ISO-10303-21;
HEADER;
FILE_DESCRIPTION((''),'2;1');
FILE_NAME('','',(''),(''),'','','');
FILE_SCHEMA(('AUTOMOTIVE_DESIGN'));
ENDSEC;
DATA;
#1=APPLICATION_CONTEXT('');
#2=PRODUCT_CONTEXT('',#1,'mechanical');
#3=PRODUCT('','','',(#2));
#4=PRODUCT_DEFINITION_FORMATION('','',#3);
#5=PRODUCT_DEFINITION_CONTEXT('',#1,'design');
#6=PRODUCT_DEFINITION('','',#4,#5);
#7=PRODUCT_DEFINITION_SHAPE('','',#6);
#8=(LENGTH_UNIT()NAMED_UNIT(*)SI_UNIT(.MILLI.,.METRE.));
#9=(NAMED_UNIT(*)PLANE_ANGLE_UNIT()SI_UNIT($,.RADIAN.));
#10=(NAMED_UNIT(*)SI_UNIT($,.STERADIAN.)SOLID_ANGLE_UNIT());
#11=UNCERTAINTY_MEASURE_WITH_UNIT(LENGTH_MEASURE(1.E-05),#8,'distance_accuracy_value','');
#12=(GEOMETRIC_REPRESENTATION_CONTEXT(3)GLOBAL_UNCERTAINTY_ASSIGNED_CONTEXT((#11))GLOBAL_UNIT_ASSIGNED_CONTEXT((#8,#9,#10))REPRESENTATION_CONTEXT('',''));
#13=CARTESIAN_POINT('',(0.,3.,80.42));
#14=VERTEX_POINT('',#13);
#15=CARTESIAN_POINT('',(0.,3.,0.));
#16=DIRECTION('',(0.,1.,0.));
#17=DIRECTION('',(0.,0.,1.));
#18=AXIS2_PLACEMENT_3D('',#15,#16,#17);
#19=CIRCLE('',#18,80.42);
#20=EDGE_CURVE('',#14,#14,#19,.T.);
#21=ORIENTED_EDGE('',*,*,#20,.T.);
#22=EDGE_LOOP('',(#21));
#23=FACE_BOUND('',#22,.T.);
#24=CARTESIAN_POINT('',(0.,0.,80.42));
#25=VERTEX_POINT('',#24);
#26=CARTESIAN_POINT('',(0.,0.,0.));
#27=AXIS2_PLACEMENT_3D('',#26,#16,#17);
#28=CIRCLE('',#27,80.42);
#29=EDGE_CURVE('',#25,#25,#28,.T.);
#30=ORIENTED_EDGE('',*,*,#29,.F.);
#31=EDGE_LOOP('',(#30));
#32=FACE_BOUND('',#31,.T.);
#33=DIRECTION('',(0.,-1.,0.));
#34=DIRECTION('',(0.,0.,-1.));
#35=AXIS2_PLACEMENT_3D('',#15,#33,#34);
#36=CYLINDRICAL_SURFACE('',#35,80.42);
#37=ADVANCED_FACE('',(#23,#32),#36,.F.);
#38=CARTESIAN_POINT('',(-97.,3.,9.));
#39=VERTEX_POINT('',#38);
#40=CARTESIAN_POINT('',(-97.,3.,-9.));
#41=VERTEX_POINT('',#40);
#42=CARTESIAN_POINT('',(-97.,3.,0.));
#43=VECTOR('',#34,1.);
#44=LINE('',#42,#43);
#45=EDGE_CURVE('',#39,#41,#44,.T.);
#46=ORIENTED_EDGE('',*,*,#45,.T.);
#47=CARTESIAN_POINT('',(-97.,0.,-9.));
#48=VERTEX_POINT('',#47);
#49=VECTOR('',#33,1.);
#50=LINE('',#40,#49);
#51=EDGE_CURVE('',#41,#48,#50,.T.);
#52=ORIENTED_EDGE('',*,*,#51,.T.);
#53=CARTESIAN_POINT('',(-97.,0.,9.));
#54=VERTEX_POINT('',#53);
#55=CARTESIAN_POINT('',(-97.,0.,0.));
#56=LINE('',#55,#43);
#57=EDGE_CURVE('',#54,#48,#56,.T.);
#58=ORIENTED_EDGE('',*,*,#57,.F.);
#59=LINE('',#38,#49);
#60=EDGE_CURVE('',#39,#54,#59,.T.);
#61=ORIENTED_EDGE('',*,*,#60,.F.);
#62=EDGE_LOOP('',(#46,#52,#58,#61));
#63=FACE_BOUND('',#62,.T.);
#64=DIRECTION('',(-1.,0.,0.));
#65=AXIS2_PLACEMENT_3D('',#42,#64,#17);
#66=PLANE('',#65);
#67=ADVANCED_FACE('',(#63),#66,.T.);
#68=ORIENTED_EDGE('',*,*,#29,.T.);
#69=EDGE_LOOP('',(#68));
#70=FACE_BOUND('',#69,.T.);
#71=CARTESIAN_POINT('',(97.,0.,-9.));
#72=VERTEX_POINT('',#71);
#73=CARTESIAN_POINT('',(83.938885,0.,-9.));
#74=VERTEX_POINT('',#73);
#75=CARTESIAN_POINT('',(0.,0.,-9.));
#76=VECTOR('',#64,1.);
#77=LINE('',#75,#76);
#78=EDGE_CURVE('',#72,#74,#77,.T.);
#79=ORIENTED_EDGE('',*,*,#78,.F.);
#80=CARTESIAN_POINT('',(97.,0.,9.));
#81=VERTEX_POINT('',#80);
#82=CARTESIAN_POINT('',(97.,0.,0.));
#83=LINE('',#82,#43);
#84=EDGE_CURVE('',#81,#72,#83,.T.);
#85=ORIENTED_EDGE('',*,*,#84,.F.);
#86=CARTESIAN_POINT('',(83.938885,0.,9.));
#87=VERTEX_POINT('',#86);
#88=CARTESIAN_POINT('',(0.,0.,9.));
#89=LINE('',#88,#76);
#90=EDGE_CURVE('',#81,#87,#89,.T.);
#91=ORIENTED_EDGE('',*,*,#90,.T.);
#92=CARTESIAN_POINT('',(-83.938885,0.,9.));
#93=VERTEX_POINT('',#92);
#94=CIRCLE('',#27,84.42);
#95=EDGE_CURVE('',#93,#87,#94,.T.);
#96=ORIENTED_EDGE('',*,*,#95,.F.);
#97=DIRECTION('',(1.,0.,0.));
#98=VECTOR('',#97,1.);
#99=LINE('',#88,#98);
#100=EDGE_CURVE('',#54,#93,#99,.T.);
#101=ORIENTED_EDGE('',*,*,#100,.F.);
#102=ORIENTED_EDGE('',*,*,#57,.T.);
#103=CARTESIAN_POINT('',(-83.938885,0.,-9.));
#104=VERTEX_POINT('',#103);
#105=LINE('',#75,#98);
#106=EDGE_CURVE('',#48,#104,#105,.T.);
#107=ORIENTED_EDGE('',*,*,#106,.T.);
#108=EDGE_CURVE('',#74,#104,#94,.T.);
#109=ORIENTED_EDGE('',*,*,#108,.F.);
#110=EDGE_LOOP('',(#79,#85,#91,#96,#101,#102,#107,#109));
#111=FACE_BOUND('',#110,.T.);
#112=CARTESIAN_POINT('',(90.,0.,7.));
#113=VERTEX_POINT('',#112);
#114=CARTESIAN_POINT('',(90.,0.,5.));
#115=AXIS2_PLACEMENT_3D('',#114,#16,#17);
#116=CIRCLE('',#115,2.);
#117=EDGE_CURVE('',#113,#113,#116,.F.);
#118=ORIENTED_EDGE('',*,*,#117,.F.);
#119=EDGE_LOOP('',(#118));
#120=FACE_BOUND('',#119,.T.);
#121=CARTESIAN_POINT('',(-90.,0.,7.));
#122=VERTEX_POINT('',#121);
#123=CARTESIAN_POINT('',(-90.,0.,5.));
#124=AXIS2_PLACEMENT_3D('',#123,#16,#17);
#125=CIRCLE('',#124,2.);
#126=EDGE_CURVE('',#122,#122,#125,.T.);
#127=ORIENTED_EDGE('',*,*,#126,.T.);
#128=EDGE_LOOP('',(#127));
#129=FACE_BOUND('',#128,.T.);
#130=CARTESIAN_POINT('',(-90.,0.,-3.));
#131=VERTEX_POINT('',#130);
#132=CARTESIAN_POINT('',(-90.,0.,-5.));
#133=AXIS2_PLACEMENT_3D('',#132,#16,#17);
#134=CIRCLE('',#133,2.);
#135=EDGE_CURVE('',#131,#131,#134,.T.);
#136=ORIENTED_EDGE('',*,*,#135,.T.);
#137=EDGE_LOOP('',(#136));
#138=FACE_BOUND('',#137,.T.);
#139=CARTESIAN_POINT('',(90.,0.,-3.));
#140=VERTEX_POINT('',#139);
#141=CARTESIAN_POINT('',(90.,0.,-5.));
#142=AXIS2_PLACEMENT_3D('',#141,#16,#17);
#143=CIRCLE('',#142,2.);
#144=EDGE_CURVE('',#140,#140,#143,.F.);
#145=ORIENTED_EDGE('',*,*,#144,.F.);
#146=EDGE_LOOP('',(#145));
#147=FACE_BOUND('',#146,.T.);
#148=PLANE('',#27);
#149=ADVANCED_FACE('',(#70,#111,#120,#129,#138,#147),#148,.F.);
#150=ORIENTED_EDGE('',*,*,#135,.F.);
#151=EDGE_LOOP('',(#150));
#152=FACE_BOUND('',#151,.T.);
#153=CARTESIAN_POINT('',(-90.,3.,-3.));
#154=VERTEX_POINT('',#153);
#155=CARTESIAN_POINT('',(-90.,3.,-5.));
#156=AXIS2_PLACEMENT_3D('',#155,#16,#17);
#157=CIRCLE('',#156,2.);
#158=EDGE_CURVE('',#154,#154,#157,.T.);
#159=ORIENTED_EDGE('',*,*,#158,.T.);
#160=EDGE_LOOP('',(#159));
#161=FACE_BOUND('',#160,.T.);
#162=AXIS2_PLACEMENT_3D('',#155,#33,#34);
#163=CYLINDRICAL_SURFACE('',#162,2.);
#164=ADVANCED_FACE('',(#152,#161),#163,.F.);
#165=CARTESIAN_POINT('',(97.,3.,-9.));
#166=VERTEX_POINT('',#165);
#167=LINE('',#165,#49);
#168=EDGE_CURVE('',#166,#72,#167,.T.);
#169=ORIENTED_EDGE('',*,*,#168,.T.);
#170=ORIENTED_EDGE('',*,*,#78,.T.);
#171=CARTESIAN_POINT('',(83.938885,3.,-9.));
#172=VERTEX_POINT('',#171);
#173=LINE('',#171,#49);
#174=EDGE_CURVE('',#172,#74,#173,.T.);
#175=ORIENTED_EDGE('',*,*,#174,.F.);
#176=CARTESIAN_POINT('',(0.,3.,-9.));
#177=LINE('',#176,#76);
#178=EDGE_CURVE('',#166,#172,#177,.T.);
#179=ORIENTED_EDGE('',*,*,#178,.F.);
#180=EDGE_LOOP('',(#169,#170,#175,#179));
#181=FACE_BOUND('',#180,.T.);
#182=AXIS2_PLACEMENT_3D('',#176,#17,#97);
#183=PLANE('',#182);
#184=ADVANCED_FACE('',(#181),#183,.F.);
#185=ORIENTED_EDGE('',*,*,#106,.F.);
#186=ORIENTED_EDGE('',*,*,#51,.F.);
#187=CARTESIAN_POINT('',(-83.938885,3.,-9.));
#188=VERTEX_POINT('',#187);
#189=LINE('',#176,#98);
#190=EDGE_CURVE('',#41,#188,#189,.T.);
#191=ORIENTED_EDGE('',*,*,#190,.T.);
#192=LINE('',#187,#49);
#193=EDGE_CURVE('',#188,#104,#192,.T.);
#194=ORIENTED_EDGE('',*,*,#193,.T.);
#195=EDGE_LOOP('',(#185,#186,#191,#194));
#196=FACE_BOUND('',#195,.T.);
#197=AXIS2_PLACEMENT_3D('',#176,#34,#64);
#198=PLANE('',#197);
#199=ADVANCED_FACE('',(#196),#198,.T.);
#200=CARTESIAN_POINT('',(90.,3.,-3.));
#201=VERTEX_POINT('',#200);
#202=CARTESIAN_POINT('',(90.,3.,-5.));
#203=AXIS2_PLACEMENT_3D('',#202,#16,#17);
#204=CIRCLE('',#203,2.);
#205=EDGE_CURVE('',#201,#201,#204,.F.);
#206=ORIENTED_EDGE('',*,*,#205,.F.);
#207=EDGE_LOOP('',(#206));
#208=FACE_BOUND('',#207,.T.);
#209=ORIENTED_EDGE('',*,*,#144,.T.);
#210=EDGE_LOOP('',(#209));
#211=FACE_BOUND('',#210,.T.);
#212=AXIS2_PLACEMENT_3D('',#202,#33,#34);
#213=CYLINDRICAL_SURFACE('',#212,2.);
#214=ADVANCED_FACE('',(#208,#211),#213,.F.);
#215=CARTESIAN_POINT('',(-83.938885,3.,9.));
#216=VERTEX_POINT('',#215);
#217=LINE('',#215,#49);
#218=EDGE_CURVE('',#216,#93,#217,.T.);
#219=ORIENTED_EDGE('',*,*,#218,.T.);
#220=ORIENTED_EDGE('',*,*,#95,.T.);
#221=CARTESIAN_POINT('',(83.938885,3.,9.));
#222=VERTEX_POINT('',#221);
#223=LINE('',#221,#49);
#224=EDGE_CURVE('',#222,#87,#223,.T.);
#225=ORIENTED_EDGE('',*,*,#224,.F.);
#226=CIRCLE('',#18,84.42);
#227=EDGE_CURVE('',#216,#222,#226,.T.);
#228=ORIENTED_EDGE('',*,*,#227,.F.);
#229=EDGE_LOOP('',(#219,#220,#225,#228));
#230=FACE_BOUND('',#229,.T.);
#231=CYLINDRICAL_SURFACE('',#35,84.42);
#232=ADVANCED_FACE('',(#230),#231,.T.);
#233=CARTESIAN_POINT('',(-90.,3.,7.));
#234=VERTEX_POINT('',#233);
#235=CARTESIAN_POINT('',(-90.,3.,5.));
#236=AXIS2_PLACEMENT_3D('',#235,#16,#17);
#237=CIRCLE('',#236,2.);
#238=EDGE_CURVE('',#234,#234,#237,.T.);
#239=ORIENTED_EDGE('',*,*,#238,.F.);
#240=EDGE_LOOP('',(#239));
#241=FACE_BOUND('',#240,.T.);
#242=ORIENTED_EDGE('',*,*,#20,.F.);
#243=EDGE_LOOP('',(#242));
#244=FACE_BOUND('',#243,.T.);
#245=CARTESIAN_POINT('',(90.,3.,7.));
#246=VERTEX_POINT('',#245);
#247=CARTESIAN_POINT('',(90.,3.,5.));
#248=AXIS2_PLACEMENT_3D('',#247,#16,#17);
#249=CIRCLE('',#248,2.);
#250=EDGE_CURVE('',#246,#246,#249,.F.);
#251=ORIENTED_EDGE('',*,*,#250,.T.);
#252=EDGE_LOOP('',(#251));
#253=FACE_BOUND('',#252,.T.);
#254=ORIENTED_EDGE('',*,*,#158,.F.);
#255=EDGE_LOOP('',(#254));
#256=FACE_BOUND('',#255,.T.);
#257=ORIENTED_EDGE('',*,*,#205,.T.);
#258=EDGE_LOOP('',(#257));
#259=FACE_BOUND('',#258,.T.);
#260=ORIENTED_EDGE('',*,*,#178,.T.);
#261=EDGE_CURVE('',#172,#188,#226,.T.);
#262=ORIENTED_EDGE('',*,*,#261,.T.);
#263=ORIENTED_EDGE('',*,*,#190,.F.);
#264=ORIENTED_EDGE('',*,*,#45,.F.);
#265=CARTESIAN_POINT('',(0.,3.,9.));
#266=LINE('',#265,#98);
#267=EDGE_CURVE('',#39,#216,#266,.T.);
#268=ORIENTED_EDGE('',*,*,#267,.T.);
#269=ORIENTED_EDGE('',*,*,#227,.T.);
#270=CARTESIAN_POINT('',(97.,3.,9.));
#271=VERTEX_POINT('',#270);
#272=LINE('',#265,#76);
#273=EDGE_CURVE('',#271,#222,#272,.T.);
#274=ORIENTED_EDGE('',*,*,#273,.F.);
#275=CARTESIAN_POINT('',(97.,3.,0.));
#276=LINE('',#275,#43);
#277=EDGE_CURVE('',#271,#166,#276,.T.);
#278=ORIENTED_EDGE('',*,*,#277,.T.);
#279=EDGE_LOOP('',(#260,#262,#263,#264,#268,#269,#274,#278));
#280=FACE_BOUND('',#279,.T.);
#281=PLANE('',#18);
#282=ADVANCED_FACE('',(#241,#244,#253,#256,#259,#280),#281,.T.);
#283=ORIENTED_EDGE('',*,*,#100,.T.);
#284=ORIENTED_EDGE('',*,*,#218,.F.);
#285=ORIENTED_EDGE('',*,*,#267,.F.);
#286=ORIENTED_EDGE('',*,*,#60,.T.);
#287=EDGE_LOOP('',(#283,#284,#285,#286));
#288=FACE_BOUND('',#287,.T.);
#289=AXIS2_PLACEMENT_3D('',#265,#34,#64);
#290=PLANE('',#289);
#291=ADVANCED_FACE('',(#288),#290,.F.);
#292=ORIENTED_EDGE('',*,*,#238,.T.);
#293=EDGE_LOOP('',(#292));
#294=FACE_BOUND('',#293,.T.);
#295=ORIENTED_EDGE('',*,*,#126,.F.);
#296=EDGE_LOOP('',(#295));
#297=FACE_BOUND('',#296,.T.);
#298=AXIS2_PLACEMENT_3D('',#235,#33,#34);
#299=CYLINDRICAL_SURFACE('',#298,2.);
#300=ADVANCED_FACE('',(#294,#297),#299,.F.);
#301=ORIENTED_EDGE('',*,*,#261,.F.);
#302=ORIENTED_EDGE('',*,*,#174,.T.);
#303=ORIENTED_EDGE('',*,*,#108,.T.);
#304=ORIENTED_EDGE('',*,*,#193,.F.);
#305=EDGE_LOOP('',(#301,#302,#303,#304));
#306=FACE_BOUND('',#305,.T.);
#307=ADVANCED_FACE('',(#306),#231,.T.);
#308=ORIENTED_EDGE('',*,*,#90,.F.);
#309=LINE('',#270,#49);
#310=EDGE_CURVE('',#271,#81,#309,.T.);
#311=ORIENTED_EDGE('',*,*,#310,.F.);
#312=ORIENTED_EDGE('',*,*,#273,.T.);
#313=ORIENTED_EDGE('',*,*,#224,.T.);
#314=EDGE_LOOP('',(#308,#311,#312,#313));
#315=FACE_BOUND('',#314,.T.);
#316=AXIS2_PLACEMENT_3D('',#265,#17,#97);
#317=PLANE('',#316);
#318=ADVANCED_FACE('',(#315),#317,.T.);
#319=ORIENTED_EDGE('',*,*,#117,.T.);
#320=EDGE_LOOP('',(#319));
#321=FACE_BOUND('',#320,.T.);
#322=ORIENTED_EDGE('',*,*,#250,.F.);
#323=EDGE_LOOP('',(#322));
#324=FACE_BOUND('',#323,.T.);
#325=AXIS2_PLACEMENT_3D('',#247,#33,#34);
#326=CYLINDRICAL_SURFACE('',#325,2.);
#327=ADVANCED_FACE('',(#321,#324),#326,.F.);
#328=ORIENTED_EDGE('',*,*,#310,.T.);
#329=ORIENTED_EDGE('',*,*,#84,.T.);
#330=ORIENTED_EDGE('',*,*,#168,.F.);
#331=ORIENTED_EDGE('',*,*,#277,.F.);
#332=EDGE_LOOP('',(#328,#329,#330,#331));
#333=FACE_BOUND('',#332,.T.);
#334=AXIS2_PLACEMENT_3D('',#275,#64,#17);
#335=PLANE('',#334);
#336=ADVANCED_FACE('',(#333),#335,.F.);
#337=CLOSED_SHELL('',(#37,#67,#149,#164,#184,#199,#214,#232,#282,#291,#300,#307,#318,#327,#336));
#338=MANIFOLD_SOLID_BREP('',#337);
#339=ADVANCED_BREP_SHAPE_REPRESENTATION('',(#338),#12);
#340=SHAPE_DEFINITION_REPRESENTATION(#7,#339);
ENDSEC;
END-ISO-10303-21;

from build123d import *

# Parameters (mm, degrees)
CROQUIS1_R              = 2
CROQUIS1_R_2            = 84.42
CROQUIS1_R_3            = 80.42
SALIENTE_EXTRUIR1_DEPTH = 3


with BuildPart() as part:
    # Croquis1 → Saliente-Extruir1 (new body)
    # profile 1 of 3: a face of its own
    with BuildSketch(Plane(origin=(0, 0, 0), x_dir=(1, 0, 0), z_dir=(0, 1, 0))):
        with BuildLine():
            Line((83.93888491, -9), (97, -9))
            Line((97, -9), (97, 9))
            Line((97, 9), (83.93888491, 9))
            ThreePointArc((83.93888491, 9), (84.299635421, 4.506425183), (84.42, 0))
            ThreePointArc((84.42, 0), (84.299635421, -4.506425183), (83.93888491, -9))
        make_face()
        with Locations(Location((90, -5, 0), (0, 0, 270))):
            Circle(CROQUIS1_R, mode=Mode.SUBTRACT)
        with Locations(Location((90, 5, 0), (0, 0, 270))):
            Circle(CROQUIS1_R, mode=Mode.SUBTRACT)
    # profile 2 of 3: a face of its own
    with BuildSketch(Plane(origin=(0, 0, 0), x_dir=(1, 0, 0), z_dir=(0, 1, 0))):
        Circle(CROQUIS1_R_2)
        with Locations(Location((0, 0, 0), (0, 0, 270))):
            Circle(CROQUIS1_R_3, mode=Mode.SUBTRACT)
    # profile 3 of 3: a face of its own
    with BuildSketch(Plane(origin=(0, 0, 0), x_dir=(1, 0, 0), z_dir=(0, 1, 0))):
        with BuildLine():
            Line((-97, -9), (-83.93888491, -9))
            ThreePointArc((-83.93888491, -9), (-84.42, 0), (-83.93888491, 9))
            Line((-83.93888491, 9), (-97, 9))
            Line((-97, 9), (-97, -9))
        make_face()
        with Locations(Location((-90, -5, 0), (0, 0, 270))):
            Circle(CROQUIS1_R, mode=Mode.SUBTRACT)
        with Locations(Location((-90, 5, 0), (0, 0, 270))):
            Circle(CROQUIS1_R, mode=Mode.SUBTRACT)
    extrude(amount=SALIENTE_EXTRUIR1_DEPTH)


solid = part.part
